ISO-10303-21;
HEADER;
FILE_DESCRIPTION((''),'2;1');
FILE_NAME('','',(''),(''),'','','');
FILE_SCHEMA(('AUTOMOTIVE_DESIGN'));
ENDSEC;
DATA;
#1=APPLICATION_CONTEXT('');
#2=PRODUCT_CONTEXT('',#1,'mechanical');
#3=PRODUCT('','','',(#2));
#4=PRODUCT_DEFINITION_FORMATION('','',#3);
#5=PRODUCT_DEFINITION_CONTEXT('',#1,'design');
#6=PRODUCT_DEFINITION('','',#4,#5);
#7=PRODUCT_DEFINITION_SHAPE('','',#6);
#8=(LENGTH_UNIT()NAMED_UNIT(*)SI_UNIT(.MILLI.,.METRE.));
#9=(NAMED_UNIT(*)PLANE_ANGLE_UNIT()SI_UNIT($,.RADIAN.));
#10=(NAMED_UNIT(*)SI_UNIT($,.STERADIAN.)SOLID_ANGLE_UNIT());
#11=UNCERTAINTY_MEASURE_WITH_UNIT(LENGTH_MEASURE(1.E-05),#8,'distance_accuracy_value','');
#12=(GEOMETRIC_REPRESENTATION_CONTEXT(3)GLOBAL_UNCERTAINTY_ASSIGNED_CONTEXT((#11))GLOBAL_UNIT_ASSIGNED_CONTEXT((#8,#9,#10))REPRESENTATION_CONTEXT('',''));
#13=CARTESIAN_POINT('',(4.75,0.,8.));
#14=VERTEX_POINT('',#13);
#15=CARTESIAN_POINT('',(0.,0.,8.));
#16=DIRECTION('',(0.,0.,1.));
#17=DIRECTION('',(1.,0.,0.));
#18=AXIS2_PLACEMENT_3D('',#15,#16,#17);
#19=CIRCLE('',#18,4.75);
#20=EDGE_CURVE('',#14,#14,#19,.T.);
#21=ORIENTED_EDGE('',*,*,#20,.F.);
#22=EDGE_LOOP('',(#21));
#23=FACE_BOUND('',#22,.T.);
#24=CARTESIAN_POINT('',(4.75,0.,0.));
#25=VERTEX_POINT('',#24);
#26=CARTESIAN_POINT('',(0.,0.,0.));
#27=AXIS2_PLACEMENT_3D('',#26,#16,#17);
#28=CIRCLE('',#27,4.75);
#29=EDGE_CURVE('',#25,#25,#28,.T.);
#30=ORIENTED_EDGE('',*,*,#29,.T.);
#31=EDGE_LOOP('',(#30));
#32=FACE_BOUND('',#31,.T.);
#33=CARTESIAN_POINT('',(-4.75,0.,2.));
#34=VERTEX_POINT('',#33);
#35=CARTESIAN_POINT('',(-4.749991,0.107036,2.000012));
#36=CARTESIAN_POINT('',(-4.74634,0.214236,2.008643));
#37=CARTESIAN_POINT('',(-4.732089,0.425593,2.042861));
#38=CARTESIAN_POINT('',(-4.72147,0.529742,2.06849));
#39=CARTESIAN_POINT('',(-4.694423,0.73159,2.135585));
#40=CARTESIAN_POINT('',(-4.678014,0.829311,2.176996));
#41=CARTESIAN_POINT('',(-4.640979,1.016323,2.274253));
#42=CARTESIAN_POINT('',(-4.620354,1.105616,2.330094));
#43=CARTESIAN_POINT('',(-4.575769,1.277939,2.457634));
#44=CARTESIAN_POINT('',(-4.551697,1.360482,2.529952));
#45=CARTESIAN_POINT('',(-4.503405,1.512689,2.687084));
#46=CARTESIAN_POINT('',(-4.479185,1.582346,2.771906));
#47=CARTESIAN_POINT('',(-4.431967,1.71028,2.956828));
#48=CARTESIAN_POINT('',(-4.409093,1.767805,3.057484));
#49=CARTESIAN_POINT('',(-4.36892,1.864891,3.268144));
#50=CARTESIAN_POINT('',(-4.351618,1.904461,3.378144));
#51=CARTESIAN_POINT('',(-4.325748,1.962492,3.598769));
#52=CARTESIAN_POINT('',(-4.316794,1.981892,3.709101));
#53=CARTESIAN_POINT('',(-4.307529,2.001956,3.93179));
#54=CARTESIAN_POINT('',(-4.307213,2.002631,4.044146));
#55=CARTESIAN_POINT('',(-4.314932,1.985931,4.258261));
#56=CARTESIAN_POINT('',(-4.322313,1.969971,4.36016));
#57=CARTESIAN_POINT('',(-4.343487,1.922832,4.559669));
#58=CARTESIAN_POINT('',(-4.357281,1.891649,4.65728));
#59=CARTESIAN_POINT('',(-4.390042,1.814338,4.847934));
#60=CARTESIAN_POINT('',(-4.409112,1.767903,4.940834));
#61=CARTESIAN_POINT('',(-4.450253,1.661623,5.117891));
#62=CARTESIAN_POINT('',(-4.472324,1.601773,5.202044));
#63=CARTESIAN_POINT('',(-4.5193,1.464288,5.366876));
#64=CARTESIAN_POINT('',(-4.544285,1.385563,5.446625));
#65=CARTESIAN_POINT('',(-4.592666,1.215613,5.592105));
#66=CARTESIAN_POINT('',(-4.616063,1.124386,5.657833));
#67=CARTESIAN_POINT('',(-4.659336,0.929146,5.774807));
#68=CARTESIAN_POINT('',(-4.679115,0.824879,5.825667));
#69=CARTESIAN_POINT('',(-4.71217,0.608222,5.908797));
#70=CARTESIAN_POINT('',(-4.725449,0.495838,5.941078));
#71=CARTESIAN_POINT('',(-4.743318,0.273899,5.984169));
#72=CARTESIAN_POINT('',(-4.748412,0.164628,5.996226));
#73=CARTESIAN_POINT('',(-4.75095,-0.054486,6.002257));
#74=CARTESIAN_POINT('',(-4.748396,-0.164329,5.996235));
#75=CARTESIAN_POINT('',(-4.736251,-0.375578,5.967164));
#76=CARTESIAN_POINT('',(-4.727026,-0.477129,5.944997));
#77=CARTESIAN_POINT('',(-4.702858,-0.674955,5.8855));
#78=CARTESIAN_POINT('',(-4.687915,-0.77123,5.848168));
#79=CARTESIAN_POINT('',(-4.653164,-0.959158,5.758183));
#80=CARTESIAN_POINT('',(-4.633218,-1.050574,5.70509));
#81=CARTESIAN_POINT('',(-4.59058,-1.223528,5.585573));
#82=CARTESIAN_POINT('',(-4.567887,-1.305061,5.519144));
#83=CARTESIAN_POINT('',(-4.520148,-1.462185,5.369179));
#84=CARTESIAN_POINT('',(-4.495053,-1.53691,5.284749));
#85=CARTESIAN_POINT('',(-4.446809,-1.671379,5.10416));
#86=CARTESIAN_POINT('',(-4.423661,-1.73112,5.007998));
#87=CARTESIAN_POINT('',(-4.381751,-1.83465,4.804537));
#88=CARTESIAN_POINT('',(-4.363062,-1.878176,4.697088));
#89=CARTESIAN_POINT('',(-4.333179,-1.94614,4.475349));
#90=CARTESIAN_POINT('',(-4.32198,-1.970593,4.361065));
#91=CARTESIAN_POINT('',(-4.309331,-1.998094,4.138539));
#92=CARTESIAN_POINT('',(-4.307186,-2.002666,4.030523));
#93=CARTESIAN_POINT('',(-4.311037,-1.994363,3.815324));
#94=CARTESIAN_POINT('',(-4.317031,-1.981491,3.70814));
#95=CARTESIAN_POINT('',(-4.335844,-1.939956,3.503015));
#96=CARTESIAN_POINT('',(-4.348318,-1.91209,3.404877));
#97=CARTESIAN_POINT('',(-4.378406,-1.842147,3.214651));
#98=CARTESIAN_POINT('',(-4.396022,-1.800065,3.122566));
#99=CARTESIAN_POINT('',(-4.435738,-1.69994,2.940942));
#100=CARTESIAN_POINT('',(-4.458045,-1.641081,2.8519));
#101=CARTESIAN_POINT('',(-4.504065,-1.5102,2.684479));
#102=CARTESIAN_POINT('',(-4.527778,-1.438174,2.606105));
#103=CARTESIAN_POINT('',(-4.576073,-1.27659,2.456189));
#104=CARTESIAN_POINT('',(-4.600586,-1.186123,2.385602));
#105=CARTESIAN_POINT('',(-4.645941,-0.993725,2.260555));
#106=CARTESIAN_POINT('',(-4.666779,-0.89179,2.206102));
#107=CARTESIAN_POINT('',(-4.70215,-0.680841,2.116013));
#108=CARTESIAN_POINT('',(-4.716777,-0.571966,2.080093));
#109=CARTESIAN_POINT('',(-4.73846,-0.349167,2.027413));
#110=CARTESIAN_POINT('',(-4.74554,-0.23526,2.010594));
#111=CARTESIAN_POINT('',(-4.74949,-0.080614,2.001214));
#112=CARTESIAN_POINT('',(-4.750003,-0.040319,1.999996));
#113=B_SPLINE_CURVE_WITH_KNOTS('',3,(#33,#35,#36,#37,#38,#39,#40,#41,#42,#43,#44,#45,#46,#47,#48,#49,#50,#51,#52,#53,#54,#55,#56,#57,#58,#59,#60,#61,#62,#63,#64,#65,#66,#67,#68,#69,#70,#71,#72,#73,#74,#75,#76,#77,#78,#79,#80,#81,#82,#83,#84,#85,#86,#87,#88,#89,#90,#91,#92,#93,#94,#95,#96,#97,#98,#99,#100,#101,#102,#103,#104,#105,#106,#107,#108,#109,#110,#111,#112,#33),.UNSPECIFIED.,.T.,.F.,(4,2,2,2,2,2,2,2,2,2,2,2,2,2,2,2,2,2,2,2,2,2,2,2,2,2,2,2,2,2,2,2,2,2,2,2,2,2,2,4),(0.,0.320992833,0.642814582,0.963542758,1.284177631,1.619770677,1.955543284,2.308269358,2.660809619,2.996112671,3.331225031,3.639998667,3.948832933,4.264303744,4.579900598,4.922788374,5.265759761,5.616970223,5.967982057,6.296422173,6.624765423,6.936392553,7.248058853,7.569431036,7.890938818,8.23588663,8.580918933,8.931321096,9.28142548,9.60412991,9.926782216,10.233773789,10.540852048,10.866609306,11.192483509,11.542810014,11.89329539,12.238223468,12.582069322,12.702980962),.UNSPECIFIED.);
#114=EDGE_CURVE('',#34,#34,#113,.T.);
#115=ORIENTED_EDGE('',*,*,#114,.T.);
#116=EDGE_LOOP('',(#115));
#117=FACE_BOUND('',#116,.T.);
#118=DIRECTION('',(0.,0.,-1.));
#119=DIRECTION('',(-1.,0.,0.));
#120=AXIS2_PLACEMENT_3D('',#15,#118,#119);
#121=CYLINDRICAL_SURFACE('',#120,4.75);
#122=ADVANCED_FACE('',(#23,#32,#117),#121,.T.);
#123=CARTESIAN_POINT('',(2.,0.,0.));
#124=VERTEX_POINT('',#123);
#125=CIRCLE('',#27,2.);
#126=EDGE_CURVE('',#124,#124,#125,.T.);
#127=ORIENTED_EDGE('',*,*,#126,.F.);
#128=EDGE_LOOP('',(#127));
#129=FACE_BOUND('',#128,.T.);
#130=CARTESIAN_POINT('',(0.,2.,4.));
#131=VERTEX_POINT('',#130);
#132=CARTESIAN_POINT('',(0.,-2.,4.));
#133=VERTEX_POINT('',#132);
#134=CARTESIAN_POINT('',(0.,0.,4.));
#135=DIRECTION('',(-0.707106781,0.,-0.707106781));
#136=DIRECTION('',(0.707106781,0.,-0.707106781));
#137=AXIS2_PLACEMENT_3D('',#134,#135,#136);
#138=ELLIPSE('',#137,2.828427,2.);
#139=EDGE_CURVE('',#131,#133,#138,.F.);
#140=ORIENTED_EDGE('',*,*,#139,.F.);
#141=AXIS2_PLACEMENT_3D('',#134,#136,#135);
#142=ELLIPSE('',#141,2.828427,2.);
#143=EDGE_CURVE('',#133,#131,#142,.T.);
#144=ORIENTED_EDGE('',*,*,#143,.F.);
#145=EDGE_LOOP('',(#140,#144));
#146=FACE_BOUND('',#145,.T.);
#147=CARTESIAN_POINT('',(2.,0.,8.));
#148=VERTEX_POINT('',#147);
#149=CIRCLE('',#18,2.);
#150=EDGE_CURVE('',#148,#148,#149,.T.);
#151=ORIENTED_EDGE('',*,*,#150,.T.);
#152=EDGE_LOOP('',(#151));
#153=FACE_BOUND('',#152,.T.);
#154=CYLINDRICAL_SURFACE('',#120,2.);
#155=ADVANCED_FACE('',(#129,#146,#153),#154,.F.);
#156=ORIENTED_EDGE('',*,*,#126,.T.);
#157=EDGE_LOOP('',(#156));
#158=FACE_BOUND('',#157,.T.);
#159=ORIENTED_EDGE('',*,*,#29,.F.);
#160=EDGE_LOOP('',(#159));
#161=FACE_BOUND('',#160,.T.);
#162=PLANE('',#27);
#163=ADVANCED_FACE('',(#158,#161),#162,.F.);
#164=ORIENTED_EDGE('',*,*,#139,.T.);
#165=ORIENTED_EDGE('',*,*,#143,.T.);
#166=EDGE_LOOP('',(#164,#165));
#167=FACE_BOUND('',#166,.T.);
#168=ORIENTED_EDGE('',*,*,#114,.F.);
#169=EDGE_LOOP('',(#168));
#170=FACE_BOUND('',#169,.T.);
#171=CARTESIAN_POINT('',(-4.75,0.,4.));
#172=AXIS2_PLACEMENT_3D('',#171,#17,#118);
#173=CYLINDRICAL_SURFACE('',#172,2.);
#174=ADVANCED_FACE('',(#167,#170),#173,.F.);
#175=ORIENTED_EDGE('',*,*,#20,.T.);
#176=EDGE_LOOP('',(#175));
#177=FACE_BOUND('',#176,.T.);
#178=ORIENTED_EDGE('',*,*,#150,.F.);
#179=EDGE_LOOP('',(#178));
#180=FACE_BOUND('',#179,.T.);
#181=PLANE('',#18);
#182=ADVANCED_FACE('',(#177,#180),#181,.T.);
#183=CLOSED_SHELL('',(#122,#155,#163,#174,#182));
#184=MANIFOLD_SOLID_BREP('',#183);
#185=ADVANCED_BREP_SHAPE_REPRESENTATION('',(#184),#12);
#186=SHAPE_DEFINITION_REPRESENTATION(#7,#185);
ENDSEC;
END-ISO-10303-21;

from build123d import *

# Parameters (mm, degrees)
SKETCH_1_R          = 4.75
SKETCH_1_R_2        = 2
EXTRUDE_1_DEPTH     = 8
SKETCH_2_R          = 2
CUT_EXTRUDE_1_DEPTH = 11.446291208


with BuildPart() as part:
    # 草图1 → 凸台-拉伸1 (new body)
    with BuildSketch(Plane.XY):
        Circle(SKETCH_1_R)
        Circle(SKETCH_1_R_2, mode=Mode.SUBTRACT)
    extrude(amount=EXTRUDE_1_DEPTH)

    # 草图2 → 切除-拉伸1 (cut, through all)
    with BuildSketch(Plane(origin=(0, 0, 0), x_dir=(0, 0, -1), z_dir=(1, 0, 0))):
        with Locations((-4, 0)):
            Circle(SKETCH_2_R)
    extrude(amount=-CUT_EXTRUDE_1_DEPTH, mode=Mode.SUBTRACT)


solid = part.part
